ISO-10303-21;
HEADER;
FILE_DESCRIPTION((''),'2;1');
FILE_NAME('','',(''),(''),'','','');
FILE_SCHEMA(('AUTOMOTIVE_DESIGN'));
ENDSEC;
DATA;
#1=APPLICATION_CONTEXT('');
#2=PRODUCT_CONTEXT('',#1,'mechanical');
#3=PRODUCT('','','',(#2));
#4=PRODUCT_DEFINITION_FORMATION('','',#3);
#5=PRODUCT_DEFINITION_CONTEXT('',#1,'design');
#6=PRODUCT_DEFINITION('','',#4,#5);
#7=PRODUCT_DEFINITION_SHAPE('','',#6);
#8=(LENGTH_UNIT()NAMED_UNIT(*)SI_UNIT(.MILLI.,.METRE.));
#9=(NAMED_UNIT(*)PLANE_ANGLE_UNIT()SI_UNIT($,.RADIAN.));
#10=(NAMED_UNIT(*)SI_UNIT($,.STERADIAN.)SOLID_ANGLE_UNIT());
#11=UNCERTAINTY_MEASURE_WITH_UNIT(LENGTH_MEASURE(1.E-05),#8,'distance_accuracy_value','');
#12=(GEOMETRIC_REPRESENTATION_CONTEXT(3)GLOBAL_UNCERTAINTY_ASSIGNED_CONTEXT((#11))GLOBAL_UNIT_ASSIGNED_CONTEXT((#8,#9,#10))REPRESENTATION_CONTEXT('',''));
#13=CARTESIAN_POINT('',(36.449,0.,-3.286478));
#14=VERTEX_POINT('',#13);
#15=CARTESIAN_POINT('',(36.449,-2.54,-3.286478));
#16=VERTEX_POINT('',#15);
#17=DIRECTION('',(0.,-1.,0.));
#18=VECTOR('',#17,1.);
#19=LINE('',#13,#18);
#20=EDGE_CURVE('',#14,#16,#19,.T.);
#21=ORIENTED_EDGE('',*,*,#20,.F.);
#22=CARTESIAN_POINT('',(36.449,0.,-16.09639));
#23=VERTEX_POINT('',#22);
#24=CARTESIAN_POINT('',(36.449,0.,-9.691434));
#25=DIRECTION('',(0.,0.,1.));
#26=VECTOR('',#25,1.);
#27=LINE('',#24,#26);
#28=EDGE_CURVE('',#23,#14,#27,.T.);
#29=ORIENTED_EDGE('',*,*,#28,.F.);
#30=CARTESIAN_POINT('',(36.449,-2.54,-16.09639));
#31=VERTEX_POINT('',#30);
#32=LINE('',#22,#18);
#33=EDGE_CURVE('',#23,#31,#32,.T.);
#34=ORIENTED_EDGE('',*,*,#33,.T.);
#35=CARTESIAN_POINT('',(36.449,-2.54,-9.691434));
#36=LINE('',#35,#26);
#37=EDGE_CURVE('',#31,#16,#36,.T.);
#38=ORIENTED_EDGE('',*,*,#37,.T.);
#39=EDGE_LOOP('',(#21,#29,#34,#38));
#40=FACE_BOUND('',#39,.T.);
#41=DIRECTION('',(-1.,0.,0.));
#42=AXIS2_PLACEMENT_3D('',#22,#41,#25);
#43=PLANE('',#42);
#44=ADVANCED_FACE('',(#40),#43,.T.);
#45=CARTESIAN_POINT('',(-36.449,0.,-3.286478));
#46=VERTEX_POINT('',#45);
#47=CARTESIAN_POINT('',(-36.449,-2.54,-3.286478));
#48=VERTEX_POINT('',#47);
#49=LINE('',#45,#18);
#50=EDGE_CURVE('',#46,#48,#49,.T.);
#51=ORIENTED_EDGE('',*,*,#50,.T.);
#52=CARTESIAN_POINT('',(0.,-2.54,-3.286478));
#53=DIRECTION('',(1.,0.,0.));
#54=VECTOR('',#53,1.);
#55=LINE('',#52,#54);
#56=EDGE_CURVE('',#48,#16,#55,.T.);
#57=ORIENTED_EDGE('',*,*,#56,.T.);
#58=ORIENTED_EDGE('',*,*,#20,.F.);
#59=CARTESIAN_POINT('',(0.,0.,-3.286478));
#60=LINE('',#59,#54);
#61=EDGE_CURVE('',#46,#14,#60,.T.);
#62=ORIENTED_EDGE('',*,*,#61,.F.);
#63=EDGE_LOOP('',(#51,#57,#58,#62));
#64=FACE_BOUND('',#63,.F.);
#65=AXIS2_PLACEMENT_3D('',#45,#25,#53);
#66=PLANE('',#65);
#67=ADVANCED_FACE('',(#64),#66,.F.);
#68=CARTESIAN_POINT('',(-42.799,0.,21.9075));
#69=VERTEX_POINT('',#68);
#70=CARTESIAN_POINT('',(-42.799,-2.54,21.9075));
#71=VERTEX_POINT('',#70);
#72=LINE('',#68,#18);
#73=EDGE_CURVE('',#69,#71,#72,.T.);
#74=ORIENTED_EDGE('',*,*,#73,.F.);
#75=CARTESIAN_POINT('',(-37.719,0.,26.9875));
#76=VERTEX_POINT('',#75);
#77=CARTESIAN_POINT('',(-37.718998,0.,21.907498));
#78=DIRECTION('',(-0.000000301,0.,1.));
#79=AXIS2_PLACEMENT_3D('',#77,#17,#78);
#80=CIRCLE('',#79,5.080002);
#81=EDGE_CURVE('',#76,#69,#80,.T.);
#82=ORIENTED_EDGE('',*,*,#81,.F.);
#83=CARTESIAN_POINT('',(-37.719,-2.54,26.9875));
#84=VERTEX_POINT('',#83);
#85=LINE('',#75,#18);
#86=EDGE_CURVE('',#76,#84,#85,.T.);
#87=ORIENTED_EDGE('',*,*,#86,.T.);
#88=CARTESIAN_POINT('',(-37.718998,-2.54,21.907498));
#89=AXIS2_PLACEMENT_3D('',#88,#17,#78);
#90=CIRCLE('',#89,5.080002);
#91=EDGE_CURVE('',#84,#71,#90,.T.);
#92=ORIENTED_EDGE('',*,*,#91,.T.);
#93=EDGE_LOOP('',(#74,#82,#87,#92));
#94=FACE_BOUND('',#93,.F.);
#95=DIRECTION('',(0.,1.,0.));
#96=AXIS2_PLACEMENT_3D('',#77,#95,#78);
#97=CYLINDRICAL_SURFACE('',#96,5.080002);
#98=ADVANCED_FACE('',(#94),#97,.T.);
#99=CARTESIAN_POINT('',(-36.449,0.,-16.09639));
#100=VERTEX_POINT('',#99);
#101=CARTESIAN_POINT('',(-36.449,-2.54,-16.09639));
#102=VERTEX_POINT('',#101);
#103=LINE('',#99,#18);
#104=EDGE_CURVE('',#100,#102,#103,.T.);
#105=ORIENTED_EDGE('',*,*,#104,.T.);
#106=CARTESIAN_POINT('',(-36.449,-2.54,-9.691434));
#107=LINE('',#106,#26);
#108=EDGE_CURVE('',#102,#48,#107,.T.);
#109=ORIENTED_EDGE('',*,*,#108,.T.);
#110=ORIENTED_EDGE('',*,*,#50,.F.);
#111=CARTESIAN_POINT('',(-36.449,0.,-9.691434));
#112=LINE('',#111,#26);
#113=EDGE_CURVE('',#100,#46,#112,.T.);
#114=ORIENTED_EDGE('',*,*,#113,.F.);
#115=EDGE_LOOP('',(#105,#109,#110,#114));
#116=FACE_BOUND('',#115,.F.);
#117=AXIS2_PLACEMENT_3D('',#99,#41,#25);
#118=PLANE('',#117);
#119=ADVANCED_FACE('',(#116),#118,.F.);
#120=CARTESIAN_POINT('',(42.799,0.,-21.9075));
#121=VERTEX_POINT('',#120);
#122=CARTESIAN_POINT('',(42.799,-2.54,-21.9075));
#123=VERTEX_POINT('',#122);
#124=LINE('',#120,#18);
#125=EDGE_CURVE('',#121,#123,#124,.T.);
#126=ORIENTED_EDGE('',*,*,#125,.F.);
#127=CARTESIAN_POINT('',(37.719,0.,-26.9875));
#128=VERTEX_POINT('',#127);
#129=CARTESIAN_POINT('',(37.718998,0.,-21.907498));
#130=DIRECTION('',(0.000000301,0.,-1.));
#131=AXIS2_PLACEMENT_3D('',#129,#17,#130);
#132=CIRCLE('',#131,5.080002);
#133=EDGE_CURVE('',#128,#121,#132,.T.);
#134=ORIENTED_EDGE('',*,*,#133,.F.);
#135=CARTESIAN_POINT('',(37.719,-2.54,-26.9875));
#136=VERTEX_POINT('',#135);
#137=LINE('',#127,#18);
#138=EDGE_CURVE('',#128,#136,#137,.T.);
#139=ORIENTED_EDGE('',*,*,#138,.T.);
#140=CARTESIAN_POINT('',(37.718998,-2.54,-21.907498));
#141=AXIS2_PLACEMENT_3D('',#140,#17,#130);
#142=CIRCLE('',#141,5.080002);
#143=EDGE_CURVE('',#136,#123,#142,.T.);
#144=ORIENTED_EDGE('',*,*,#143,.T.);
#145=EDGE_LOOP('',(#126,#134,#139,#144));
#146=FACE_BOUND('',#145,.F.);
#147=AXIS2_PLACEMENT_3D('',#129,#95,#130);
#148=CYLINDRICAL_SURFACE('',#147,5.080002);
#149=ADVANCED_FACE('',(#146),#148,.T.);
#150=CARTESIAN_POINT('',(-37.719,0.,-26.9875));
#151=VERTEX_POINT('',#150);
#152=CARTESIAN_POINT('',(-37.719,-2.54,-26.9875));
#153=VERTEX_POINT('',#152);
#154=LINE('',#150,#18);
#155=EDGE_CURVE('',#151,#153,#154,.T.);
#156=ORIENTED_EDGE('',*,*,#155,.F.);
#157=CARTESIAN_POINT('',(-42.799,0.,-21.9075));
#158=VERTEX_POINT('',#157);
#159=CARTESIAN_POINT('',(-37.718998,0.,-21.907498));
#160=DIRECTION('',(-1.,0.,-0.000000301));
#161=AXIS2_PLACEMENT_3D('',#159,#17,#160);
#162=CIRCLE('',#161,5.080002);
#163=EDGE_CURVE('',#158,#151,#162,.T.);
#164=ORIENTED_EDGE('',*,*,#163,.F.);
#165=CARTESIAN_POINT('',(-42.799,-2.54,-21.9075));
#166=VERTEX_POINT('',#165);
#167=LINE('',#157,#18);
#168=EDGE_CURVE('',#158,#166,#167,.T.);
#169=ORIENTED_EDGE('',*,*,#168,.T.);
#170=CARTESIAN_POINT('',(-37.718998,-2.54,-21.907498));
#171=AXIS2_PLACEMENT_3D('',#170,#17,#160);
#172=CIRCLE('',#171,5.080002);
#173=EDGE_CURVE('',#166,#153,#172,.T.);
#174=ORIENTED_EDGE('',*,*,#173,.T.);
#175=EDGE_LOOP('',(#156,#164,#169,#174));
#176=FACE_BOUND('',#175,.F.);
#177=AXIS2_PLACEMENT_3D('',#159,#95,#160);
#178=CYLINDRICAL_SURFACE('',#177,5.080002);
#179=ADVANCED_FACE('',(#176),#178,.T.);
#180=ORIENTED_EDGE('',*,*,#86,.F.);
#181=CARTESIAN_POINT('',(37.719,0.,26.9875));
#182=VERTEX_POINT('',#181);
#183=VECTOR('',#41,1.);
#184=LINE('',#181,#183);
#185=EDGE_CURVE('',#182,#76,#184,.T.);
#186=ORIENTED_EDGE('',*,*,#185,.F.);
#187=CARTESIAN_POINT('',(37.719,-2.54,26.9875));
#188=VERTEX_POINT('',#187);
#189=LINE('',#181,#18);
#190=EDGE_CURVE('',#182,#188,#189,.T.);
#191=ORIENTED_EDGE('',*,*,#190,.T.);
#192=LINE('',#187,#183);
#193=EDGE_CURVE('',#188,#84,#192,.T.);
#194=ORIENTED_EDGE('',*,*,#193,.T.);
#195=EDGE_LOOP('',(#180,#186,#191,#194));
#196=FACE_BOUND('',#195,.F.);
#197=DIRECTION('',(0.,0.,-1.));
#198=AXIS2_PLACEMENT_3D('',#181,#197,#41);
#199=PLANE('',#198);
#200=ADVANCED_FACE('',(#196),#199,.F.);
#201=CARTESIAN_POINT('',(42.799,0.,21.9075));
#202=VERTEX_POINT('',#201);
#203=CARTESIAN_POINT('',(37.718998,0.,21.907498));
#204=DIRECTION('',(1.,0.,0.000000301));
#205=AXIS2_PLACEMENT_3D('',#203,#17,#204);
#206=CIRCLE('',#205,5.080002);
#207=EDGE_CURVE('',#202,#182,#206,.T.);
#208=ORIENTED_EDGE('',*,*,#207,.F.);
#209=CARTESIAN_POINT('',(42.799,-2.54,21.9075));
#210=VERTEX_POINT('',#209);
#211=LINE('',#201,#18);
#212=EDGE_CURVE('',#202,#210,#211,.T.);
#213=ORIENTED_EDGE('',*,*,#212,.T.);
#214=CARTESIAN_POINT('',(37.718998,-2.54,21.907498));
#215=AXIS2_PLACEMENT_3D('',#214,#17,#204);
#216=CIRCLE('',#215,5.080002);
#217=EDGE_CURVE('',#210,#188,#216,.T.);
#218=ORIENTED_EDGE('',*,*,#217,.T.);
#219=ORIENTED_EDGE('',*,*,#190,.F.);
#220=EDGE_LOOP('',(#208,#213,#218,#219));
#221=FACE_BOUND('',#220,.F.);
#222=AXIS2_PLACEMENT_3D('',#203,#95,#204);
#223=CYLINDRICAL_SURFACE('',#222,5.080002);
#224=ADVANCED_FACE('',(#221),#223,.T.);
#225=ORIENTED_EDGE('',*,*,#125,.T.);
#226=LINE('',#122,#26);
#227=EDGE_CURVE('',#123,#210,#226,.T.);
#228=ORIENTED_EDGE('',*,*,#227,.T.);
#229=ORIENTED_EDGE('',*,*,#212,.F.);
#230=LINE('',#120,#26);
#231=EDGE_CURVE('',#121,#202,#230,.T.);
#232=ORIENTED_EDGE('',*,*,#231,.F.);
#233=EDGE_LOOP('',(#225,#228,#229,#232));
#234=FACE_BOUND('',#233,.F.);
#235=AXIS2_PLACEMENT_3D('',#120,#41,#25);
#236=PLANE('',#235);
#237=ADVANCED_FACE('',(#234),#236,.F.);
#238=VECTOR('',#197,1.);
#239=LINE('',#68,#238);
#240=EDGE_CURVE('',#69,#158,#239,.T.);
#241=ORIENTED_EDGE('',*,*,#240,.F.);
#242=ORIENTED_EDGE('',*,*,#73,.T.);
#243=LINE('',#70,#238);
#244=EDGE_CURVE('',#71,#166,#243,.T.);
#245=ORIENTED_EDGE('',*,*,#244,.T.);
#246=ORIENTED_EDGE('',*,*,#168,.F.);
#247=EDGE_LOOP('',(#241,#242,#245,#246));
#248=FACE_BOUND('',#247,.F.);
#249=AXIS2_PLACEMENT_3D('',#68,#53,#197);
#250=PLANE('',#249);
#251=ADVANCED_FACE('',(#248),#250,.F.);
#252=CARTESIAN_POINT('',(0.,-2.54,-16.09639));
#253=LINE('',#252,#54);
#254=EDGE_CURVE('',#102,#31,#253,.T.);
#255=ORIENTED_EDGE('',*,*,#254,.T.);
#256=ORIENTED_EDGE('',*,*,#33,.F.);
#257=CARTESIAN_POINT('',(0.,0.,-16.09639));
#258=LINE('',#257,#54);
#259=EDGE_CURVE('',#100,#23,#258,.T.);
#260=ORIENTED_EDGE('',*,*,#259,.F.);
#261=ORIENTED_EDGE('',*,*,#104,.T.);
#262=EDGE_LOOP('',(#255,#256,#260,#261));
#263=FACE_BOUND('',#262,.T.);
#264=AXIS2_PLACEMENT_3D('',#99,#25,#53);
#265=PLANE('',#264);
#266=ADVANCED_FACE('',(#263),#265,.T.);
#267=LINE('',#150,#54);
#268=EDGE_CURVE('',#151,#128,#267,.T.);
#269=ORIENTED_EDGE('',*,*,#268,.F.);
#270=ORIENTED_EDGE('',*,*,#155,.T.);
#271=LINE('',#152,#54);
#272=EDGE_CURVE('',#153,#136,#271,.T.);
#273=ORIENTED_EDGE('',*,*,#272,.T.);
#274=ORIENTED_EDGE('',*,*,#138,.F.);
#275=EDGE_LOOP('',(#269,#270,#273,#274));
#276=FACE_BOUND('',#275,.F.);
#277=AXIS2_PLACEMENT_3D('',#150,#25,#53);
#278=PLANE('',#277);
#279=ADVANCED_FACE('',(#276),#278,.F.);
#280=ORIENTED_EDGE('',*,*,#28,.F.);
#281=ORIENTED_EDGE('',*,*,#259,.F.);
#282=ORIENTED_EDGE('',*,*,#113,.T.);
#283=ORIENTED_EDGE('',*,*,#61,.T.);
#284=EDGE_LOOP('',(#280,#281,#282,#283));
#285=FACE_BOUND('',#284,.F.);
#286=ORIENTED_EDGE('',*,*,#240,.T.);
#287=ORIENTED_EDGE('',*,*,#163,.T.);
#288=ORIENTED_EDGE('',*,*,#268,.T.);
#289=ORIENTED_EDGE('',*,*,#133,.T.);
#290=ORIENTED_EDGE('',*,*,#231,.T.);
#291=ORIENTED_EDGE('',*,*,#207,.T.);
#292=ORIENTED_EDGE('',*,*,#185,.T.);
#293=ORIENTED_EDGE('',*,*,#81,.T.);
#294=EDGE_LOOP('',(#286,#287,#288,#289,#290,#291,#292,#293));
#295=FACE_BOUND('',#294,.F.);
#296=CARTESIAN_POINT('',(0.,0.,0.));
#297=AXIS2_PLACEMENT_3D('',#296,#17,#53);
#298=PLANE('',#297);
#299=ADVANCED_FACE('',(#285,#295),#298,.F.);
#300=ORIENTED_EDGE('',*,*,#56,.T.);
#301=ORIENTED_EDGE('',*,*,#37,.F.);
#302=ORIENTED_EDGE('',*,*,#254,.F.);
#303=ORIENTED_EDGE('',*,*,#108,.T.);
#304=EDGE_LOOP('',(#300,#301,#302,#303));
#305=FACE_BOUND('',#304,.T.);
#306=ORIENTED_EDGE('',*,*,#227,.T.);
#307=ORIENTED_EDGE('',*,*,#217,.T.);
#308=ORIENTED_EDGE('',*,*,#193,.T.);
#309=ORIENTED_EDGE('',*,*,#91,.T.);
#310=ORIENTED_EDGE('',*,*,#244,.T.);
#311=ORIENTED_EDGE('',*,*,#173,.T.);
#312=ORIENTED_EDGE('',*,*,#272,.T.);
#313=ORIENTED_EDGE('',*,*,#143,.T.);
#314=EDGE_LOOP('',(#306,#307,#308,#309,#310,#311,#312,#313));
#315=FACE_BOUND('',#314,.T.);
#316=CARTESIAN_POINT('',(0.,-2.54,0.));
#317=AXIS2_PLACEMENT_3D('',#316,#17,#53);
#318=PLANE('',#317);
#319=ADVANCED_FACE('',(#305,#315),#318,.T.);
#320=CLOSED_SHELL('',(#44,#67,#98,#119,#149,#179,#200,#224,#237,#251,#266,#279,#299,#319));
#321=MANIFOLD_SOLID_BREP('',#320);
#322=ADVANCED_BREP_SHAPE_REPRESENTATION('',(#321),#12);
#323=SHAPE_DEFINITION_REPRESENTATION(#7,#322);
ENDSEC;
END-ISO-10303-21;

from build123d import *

# Parameters (mm, degrees)
F0_W     = 72.898
F0_H     = 12.809911
F1_DEPTH = 2.54


with BuildPart() as f1:
    # F0 (on Front) → F1 (new body)
    with BuildSketch(Plane.XZ):
        with BuildLine():
            Line((37.719, 26.9875), (-37.719, 26.9875))
            ThreePointArc((-37.719, 26.9875), (-41.311102, 25.499602), (-42.799, 21.9075))
            Line((-42.799, 21.9075), (-42.799, -21.9075))
            ThreePointArc((-42.799, -21.9075), (-41.311102, -25.499602), (-37.719, -26.9875))
            Line((-37.719, -26.9875), (37.719, -26.9875))
            ThreePointArc((37.719, -26.9875), (41.311102, -25.499602), (42.799, -21.9075))
            Line((42.799, -21.9075), (42.799, 21.9075))
            ThreePointArc((42.799, 21.9075), (41.311102, 25.499602), (37.719, 26.9875))
        make_face()
        with Locations((0, -9.691434)):
            Rectangle(F0_W, F0_H, mode=Mode.SUBTRACT)
    extrude(amount=F1_DEPTH)


solid = f1.part
